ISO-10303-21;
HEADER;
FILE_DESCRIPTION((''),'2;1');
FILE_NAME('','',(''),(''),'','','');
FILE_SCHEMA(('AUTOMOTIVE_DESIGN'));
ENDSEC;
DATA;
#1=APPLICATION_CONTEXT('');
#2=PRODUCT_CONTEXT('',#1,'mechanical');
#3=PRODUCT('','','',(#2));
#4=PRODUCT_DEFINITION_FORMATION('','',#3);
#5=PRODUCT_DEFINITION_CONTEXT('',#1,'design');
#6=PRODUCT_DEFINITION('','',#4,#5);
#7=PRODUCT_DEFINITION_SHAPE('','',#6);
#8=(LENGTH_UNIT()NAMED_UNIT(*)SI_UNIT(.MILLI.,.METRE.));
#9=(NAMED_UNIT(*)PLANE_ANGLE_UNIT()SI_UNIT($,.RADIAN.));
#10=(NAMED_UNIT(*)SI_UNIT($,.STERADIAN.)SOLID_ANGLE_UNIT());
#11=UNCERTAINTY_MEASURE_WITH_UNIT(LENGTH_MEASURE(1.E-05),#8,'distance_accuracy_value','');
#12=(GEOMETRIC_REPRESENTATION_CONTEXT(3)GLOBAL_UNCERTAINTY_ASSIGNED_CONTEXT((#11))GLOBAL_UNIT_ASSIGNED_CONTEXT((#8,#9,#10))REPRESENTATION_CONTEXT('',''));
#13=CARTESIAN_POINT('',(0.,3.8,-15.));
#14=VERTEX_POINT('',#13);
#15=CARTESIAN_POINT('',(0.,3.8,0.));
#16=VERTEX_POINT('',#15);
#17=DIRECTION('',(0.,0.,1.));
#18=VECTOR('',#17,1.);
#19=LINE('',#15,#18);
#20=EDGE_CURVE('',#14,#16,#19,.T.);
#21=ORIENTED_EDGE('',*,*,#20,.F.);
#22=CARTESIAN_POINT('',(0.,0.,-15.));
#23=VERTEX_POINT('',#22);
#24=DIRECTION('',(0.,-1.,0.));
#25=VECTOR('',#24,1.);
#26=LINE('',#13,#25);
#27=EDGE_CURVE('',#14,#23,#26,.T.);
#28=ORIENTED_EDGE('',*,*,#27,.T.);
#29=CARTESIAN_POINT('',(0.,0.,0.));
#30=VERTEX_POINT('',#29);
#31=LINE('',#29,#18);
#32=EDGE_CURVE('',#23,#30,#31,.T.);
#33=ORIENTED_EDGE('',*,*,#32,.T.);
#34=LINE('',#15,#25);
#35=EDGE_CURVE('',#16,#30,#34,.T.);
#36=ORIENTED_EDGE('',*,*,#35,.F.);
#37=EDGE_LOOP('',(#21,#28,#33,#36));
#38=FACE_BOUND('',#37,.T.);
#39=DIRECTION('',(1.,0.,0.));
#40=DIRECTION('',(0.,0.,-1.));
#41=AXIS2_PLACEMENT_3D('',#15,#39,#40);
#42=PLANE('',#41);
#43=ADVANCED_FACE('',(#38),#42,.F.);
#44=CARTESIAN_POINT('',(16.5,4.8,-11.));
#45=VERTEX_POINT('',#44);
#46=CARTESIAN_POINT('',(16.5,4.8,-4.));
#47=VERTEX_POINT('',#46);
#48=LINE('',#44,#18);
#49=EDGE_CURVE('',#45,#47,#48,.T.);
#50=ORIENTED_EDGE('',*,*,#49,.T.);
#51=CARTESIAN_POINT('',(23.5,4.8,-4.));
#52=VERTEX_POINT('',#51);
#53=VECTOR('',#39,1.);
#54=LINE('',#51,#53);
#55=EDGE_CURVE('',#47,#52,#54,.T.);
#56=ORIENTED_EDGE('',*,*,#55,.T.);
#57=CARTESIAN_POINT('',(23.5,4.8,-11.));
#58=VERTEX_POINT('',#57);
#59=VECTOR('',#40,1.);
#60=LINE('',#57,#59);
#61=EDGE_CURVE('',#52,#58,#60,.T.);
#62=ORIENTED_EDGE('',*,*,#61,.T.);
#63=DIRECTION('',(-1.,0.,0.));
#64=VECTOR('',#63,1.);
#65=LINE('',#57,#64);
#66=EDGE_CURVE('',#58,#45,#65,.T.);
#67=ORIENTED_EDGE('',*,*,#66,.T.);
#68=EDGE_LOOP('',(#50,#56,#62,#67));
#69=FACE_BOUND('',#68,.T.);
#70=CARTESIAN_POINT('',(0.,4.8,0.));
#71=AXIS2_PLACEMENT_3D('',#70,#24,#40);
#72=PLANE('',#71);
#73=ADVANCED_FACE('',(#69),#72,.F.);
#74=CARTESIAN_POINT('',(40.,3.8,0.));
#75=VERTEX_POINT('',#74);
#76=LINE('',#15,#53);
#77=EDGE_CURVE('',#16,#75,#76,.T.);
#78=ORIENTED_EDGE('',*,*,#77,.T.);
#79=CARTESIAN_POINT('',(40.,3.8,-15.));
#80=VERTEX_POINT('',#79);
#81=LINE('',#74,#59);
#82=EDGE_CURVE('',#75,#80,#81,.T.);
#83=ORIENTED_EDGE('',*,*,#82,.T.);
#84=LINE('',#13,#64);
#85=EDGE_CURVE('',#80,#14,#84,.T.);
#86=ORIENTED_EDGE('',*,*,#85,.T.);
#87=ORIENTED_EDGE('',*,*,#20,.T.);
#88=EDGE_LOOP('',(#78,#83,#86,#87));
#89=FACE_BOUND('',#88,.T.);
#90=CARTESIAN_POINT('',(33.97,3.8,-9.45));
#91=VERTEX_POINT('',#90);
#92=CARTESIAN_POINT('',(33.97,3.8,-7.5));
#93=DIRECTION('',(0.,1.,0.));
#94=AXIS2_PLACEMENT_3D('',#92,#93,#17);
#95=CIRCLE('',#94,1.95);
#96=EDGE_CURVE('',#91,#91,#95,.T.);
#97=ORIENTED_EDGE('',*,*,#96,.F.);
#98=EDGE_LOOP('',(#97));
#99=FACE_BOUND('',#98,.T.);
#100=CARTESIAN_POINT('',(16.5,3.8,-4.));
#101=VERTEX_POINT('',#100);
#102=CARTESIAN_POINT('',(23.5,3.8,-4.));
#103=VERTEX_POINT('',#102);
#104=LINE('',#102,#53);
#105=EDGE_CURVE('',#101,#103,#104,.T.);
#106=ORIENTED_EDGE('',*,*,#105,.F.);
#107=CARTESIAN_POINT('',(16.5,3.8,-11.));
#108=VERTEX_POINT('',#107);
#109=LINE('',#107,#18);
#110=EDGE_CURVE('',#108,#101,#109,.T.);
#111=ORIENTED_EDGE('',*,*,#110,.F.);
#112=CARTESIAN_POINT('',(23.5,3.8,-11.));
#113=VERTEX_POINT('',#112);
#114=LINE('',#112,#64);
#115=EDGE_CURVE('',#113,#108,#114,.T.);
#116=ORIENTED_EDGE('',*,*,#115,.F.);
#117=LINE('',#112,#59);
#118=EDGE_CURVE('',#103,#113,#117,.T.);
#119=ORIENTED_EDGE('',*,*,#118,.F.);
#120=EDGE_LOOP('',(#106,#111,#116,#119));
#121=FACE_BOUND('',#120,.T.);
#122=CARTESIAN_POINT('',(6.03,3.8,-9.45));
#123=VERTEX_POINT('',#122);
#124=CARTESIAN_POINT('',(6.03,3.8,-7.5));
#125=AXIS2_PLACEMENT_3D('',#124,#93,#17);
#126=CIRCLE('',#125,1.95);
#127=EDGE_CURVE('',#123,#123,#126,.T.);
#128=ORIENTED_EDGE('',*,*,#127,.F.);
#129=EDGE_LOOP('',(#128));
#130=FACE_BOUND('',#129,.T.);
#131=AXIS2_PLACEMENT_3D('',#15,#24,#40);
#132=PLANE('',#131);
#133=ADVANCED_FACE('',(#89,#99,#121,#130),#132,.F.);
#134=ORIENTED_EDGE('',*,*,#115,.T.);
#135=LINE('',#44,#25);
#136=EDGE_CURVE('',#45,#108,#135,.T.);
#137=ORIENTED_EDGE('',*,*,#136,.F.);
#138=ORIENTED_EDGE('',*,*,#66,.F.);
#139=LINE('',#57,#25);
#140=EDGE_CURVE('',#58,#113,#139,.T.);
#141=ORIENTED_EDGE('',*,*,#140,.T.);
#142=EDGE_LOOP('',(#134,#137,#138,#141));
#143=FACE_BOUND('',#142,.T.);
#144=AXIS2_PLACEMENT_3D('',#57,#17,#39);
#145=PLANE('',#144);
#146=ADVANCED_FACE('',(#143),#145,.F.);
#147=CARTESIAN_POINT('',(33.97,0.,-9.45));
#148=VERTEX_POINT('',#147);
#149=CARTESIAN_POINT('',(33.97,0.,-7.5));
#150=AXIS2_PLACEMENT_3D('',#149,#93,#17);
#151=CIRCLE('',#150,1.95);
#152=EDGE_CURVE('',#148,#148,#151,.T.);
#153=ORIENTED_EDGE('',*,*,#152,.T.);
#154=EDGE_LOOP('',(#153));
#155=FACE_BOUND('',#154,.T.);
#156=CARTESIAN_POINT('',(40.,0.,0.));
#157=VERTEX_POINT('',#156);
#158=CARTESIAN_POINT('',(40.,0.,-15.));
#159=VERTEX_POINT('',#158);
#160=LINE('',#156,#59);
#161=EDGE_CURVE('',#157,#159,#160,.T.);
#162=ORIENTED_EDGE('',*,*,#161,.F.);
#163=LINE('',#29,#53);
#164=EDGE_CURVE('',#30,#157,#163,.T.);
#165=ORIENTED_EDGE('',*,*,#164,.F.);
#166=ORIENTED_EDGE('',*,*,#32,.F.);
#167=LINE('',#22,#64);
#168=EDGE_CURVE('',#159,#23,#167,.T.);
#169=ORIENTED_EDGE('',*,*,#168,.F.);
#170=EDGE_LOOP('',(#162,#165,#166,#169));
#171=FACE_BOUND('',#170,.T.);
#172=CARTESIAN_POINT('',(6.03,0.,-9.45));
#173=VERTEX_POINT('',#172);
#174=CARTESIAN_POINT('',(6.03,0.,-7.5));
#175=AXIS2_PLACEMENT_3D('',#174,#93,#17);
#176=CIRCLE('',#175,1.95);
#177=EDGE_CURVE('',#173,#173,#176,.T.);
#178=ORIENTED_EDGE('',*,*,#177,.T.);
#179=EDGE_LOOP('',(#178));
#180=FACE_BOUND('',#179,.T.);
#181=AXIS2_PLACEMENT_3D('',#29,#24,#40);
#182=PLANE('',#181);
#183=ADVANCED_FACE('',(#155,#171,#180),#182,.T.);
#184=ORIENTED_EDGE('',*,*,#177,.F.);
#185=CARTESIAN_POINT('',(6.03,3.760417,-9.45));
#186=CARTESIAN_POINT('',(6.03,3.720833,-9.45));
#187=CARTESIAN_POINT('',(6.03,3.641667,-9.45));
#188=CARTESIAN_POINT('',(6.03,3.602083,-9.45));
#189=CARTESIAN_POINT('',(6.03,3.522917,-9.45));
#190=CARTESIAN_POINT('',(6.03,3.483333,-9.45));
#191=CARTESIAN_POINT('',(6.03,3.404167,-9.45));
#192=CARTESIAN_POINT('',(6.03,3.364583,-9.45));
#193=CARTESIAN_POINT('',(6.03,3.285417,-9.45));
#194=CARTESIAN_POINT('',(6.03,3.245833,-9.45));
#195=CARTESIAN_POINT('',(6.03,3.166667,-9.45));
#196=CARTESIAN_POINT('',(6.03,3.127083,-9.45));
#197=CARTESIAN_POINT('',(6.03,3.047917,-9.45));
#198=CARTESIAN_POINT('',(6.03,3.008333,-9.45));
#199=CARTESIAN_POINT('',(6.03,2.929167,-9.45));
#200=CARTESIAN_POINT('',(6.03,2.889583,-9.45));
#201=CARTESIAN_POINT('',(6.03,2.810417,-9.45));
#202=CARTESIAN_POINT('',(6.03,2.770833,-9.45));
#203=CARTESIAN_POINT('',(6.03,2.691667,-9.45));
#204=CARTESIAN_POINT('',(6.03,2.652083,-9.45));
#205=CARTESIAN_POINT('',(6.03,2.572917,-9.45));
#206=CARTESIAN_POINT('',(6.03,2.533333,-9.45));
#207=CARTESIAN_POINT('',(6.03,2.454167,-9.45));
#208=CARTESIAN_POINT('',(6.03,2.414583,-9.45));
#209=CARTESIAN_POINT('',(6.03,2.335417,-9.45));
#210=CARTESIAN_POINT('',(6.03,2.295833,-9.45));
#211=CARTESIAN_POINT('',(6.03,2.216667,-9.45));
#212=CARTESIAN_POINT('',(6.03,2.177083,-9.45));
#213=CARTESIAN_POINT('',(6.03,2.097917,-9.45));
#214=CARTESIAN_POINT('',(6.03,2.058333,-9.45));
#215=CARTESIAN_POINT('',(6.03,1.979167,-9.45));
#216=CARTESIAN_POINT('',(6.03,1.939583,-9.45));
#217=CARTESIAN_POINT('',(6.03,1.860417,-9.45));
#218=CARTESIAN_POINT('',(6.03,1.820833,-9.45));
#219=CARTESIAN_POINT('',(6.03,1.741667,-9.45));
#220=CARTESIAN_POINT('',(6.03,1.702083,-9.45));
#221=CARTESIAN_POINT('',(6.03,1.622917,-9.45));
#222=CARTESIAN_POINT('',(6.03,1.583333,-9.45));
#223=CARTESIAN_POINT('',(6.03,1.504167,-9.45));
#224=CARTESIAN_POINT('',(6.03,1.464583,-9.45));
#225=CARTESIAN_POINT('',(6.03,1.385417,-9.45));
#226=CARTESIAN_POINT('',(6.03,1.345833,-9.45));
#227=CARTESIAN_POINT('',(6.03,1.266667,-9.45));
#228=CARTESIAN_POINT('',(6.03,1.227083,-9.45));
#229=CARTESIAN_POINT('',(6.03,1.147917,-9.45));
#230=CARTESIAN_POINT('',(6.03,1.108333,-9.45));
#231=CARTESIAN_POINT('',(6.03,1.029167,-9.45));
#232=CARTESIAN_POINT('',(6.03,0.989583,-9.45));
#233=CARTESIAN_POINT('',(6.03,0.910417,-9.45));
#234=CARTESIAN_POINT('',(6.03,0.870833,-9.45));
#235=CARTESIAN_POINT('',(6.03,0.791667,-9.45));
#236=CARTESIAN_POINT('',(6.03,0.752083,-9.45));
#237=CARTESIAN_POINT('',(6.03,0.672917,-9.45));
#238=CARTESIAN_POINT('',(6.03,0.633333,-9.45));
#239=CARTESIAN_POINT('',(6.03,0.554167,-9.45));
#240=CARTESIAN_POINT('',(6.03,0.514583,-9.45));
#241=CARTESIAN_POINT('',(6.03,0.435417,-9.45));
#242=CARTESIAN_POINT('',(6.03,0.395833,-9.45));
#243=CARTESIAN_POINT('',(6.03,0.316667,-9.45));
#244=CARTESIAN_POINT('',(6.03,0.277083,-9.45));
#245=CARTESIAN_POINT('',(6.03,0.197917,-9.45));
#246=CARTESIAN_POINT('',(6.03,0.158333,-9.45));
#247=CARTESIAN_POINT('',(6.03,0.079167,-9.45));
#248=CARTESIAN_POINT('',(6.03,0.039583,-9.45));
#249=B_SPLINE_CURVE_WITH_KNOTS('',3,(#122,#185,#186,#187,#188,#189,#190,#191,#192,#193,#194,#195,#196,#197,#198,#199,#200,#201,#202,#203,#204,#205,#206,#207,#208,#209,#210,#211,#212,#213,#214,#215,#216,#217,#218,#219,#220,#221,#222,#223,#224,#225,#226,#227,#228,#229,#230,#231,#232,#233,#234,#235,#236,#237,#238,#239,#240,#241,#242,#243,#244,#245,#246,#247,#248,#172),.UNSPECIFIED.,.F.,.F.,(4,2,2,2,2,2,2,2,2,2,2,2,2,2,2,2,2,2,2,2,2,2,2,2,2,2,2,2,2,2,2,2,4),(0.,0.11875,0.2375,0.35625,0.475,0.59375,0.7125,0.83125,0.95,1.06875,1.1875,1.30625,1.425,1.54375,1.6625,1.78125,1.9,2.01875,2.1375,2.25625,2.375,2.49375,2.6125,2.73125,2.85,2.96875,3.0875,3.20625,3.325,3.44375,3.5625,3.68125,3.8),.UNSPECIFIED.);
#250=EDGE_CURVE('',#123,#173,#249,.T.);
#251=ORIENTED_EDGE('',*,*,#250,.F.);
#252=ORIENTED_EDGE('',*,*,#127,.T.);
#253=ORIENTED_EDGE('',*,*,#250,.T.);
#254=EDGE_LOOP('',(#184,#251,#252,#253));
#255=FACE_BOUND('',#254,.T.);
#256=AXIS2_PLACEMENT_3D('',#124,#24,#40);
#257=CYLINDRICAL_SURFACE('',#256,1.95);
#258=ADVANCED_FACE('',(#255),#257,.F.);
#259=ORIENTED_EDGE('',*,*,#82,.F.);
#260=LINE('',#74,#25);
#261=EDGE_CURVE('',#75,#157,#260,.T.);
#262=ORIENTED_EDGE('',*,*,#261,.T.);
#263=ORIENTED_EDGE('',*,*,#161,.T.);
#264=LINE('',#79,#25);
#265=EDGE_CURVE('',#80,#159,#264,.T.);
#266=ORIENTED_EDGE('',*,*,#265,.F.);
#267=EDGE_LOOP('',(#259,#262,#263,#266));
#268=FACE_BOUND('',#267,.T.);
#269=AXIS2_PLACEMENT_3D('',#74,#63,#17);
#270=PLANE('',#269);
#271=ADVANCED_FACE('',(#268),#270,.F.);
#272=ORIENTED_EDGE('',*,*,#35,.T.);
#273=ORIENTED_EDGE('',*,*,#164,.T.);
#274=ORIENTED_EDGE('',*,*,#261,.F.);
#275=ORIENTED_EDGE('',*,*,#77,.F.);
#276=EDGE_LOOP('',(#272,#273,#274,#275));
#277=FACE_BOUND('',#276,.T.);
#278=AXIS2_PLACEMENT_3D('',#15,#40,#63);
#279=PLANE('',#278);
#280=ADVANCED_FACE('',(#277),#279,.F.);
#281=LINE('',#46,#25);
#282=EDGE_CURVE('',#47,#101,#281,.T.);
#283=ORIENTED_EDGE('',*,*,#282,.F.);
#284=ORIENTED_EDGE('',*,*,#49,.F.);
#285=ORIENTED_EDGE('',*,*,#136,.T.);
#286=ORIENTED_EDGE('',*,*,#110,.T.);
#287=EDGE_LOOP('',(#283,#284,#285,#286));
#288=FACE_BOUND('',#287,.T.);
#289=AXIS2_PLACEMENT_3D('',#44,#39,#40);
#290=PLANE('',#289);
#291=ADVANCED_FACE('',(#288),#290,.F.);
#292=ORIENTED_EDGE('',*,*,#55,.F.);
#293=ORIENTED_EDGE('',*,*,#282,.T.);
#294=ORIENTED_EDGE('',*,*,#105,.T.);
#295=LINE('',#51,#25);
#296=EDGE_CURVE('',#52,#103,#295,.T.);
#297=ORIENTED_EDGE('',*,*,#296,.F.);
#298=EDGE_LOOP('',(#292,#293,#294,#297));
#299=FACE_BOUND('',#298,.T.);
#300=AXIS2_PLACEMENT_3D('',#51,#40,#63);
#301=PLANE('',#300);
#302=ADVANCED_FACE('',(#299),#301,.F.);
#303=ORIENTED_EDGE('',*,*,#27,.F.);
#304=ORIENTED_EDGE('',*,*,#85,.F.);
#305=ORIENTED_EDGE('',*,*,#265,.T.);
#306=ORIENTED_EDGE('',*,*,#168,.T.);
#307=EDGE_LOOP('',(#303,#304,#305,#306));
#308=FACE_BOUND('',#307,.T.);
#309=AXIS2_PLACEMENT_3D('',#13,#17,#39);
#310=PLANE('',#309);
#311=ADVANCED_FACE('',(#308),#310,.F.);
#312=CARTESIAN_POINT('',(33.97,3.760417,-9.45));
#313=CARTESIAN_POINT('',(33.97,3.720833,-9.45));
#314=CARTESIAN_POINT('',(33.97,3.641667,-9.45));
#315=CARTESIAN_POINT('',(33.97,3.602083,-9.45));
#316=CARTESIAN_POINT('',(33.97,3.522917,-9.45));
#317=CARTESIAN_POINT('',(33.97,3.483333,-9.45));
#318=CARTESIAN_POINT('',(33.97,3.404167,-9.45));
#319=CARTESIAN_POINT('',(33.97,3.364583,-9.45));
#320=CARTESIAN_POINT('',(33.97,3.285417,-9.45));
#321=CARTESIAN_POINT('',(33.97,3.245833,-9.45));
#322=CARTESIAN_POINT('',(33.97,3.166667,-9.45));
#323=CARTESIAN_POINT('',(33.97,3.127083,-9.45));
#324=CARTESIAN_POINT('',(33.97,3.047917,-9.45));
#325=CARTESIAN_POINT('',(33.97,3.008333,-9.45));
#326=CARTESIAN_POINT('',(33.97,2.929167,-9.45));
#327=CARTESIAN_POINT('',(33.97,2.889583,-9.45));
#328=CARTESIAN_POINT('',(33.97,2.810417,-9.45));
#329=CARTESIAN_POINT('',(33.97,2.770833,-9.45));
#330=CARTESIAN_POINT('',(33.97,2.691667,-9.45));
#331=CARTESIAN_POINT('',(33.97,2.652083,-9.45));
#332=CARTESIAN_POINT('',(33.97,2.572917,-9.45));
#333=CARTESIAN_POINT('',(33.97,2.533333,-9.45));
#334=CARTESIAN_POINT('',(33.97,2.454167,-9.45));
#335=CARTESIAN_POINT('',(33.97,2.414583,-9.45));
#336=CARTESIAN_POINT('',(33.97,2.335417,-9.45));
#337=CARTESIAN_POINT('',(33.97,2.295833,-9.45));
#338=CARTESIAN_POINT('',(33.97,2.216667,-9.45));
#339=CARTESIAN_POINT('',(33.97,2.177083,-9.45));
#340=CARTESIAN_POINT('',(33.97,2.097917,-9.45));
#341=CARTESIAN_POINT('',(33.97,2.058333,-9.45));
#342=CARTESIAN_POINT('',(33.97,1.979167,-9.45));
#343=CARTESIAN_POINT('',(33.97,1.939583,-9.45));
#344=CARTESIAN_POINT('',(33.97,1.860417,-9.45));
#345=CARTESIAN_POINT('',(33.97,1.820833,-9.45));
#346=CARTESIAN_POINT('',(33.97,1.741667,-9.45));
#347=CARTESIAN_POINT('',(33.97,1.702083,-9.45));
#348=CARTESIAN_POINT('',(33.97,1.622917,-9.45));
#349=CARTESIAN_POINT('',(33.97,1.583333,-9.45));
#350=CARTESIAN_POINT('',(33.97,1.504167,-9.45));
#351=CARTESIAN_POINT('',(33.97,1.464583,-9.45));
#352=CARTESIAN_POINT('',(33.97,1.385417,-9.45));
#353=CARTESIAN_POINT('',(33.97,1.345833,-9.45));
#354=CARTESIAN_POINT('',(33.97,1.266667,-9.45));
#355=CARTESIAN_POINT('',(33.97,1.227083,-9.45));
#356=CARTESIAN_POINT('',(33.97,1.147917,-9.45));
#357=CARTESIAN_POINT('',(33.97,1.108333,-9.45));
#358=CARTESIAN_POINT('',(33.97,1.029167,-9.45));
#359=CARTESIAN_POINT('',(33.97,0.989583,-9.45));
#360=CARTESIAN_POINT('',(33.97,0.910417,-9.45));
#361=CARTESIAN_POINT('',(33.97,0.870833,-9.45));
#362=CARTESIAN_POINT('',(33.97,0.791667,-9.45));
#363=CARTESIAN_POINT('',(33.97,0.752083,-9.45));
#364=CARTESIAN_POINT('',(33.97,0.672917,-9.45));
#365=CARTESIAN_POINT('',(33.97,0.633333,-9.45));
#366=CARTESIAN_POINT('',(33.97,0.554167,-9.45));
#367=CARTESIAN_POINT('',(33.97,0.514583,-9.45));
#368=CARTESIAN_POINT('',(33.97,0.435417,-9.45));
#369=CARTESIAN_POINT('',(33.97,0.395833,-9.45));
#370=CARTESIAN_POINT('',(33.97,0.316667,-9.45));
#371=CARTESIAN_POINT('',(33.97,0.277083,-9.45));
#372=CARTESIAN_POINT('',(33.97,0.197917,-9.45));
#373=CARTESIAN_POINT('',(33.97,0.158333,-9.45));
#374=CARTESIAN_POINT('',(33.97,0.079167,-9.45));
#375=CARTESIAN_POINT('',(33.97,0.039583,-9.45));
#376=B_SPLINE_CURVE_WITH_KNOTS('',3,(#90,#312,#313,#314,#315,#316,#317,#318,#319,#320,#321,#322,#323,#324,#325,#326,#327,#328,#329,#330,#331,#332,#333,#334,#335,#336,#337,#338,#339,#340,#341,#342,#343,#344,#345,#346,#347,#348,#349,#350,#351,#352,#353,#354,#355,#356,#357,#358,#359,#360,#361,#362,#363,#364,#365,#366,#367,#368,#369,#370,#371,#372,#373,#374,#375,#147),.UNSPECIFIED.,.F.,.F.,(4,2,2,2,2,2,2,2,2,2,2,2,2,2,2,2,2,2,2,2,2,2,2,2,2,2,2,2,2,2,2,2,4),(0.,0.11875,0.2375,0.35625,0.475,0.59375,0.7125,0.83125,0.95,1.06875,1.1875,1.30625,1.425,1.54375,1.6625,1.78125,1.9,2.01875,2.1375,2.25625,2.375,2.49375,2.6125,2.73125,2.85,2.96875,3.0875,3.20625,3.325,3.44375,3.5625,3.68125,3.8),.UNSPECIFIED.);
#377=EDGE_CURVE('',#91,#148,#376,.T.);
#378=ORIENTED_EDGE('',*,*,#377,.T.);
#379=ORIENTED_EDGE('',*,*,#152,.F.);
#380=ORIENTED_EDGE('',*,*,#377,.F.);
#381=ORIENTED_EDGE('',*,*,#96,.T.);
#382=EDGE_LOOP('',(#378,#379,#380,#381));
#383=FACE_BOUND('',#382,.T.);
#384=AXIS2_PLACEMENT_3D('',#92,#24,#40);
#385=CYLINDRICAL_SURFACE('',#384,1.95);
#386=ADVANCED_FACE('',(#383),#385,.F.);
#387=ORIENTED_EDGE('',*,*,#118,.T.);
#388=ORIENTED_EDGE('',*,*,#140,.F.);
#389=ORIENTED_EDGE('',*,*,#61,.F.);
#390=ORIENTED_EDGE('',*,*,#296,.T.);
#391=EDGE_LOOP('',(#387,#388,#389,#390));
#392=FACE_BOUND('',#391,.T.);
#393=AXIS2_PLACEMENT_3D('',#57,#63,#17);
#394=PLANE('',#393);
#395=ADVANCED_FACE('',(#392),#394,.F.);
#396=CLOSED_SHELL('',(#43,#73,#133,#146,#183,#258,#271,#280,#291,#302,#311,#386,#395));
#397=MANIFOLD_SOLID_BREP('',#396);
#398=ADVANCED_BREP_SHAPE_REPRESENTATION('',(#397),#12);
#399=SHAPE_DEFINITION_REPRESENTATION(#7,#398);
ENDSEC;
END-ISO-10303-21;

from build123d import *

# Parameters (mm, degrees)
SKETCH1_W           = 40
SKETCH1_H           = 15
SKETCH1_R           = 1.95
BOSS_EXTRUDE1_DEPTH = 3.8
SKETCH3_W           = 7
SKETCH3_H           = 7
BOSS_EXTRUDE2_DEPTH = 1


with BuildPart() as part:
    # Sketch1 → Boss-Extrude1 (new body)
    with BuildSketch(Plane(origin=(0, 0, 0), x_dir=(1, 0, 0), z_dir=(0, 1, 0))):
        with Locations((20, 7.5)):
            Rectangle(SKETCH1_W, SKETCH1_H)
        with Locations(Location((6.03, 7.5, 0), (0, 0, 90))):
            Circle(SKETCH1_R, mode=Mode.SUBTRACT)
        with Locations(Location((33.97, 7.5, 0), (0, 0, 90))):
            Circle(SKETCH1_R, mode=Mode.SUBTRACT)
    extrude(amount=BOSS_EXTRUDE1_DEPTH)

    # Sketch3 → Boss-Extrude2 (add)
    with BuildSketch(Plane(origin=(0, 3.8, 0), x_dir=(1, 0, 0), z_dir=(0, 1, 0))):
        with Locations((20, 7.5)):
            Rectangle(SKETCH3_W, SKETCH3_H)
    extrude(amount=BOSS_EXTRUDE2_DEPTH)


solid = part.part
